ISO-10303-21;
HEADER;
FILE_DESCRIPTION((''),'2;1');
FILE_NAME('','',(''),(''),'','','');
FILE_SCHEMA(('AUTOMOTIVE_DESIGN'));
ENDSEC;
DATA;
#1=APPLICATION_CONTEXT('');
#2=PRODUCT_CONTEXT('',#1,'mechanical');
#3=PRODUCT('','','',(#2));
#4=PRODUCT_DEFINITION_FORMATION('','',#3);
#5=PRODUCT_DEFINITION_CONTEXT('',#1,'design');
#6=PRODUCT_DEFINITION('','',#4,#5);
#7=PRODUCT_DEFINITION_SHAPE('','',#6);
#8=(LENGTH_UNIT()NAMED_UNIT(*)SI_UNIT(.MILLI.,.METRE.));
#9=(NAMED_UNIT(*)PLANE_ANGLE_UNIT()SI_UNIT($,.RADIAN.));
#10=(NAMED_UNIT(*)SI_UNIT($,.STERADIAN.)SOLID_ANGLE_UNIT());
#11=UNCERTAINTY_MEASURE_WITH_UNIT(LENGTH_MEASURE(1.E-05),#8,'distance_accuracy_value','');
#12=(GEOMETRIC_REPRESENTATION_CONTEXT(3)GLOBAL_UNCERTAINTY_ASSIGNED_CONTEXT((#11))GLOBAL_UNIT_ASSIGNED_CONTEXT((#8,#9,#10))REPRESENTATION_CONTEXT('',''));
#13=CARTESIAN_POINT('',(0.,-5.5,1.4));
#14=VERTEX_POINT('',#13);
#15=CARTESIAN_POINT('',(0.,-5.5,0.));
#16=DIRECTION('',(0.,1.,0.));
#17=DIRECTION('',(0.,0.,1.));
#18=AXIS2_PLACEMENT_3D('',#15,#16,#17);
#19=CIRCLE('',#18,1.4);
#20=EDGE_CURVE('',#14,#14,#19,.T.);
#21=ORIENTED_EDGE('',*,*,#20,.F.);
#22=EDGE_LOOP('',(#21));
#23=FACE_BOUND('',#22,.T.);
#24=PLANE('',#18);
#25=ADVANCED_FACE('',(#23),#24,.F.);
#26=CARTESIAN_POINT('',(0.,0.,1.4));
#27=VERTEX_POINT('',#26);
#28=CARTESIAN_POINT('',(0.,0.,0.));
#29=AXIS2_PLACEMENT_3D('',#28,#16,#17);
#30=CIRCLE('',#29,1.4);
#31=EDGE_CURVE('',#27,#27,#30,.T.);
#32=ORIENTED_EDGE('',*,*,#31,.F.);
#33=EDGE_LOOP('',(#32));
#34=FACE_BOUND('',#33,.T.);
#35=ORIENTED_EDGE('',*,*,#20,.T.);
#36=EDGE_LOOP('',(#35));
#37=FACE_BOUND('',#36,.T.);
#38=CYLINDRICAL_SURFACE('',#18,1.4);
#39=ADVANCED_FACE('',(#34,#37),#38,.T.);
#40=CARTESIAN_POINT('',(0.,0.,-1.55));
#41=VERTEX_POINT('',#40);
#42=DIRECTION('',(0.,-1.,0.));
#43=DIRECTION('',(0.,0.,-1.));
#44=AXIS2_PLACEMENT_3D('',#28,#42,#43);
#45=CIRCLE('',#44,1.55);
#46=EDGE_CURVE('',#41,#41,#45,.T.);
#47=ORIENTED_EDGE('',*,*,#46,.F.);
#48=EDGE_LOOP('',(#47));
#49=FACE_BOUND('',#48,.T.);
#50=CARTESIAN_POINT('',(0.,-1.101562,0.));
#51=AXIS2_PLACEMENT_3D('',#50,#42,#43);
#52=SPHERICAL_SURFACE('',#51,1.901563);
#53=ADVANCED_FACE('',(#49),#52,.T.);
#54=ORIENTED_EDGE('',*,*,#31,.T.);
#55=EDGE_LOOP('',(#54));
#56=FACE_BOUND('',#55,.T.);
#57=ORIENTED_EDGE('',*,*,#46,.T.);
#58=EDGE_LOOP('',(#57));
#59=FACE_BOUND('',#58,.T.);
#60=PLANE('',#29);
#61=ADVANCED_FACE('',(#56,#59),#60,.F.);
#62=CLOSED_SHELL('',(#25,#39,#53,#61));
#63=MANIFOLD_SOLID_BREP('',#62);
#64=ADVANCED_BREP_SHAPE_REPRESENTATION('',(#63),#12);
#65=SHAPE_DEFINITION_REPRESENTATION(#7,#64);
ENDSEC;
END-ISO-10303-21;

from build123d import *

# Parameters (mm, degrees)
SKETCH2_R           = 1.4
BOSS_EXTRUDE1_DEPTH = 5.5


with BuildPart() as part:
    # Sketch2 → Boss-Extrude1 (new body)
    with BuildSketch(Plane(origin=(0, 0, 0), x_dir=(1, 0, 0), z_dir=(0, 1, 0))):
        with Locations(Location((0, 0, 0), (0, 0, 270))):
            Circle(SKETCH2_R)
    extrude(amount=-BOSS_EXTRUDE1_DEPTH)

    # Sketch4 → Revolve1 (revolve)
    with BuildSketch(Plane(origin=(0, 0, 0), x_dir=(0, 0, -1), z_dir=(1, 0, 0)), mode=Mode.PRIVATE) as revolve1_sk:
        with BuildLine():
            Line((0, 0), (-1.55, 0))
            ThreePointArc((-1.55, 0), (-0.872138177, 0.588205218), (0, 0.8))
            Line((0, 0.8), (0, 0))
        make_face()
    revolve(revolve1_sk.sketch.rotate(Axis((0, 0, 0), (0, 1, 0)), 180), axis=Axis((0, 0, 0), (0, 1, 0)))


solid = part.part
